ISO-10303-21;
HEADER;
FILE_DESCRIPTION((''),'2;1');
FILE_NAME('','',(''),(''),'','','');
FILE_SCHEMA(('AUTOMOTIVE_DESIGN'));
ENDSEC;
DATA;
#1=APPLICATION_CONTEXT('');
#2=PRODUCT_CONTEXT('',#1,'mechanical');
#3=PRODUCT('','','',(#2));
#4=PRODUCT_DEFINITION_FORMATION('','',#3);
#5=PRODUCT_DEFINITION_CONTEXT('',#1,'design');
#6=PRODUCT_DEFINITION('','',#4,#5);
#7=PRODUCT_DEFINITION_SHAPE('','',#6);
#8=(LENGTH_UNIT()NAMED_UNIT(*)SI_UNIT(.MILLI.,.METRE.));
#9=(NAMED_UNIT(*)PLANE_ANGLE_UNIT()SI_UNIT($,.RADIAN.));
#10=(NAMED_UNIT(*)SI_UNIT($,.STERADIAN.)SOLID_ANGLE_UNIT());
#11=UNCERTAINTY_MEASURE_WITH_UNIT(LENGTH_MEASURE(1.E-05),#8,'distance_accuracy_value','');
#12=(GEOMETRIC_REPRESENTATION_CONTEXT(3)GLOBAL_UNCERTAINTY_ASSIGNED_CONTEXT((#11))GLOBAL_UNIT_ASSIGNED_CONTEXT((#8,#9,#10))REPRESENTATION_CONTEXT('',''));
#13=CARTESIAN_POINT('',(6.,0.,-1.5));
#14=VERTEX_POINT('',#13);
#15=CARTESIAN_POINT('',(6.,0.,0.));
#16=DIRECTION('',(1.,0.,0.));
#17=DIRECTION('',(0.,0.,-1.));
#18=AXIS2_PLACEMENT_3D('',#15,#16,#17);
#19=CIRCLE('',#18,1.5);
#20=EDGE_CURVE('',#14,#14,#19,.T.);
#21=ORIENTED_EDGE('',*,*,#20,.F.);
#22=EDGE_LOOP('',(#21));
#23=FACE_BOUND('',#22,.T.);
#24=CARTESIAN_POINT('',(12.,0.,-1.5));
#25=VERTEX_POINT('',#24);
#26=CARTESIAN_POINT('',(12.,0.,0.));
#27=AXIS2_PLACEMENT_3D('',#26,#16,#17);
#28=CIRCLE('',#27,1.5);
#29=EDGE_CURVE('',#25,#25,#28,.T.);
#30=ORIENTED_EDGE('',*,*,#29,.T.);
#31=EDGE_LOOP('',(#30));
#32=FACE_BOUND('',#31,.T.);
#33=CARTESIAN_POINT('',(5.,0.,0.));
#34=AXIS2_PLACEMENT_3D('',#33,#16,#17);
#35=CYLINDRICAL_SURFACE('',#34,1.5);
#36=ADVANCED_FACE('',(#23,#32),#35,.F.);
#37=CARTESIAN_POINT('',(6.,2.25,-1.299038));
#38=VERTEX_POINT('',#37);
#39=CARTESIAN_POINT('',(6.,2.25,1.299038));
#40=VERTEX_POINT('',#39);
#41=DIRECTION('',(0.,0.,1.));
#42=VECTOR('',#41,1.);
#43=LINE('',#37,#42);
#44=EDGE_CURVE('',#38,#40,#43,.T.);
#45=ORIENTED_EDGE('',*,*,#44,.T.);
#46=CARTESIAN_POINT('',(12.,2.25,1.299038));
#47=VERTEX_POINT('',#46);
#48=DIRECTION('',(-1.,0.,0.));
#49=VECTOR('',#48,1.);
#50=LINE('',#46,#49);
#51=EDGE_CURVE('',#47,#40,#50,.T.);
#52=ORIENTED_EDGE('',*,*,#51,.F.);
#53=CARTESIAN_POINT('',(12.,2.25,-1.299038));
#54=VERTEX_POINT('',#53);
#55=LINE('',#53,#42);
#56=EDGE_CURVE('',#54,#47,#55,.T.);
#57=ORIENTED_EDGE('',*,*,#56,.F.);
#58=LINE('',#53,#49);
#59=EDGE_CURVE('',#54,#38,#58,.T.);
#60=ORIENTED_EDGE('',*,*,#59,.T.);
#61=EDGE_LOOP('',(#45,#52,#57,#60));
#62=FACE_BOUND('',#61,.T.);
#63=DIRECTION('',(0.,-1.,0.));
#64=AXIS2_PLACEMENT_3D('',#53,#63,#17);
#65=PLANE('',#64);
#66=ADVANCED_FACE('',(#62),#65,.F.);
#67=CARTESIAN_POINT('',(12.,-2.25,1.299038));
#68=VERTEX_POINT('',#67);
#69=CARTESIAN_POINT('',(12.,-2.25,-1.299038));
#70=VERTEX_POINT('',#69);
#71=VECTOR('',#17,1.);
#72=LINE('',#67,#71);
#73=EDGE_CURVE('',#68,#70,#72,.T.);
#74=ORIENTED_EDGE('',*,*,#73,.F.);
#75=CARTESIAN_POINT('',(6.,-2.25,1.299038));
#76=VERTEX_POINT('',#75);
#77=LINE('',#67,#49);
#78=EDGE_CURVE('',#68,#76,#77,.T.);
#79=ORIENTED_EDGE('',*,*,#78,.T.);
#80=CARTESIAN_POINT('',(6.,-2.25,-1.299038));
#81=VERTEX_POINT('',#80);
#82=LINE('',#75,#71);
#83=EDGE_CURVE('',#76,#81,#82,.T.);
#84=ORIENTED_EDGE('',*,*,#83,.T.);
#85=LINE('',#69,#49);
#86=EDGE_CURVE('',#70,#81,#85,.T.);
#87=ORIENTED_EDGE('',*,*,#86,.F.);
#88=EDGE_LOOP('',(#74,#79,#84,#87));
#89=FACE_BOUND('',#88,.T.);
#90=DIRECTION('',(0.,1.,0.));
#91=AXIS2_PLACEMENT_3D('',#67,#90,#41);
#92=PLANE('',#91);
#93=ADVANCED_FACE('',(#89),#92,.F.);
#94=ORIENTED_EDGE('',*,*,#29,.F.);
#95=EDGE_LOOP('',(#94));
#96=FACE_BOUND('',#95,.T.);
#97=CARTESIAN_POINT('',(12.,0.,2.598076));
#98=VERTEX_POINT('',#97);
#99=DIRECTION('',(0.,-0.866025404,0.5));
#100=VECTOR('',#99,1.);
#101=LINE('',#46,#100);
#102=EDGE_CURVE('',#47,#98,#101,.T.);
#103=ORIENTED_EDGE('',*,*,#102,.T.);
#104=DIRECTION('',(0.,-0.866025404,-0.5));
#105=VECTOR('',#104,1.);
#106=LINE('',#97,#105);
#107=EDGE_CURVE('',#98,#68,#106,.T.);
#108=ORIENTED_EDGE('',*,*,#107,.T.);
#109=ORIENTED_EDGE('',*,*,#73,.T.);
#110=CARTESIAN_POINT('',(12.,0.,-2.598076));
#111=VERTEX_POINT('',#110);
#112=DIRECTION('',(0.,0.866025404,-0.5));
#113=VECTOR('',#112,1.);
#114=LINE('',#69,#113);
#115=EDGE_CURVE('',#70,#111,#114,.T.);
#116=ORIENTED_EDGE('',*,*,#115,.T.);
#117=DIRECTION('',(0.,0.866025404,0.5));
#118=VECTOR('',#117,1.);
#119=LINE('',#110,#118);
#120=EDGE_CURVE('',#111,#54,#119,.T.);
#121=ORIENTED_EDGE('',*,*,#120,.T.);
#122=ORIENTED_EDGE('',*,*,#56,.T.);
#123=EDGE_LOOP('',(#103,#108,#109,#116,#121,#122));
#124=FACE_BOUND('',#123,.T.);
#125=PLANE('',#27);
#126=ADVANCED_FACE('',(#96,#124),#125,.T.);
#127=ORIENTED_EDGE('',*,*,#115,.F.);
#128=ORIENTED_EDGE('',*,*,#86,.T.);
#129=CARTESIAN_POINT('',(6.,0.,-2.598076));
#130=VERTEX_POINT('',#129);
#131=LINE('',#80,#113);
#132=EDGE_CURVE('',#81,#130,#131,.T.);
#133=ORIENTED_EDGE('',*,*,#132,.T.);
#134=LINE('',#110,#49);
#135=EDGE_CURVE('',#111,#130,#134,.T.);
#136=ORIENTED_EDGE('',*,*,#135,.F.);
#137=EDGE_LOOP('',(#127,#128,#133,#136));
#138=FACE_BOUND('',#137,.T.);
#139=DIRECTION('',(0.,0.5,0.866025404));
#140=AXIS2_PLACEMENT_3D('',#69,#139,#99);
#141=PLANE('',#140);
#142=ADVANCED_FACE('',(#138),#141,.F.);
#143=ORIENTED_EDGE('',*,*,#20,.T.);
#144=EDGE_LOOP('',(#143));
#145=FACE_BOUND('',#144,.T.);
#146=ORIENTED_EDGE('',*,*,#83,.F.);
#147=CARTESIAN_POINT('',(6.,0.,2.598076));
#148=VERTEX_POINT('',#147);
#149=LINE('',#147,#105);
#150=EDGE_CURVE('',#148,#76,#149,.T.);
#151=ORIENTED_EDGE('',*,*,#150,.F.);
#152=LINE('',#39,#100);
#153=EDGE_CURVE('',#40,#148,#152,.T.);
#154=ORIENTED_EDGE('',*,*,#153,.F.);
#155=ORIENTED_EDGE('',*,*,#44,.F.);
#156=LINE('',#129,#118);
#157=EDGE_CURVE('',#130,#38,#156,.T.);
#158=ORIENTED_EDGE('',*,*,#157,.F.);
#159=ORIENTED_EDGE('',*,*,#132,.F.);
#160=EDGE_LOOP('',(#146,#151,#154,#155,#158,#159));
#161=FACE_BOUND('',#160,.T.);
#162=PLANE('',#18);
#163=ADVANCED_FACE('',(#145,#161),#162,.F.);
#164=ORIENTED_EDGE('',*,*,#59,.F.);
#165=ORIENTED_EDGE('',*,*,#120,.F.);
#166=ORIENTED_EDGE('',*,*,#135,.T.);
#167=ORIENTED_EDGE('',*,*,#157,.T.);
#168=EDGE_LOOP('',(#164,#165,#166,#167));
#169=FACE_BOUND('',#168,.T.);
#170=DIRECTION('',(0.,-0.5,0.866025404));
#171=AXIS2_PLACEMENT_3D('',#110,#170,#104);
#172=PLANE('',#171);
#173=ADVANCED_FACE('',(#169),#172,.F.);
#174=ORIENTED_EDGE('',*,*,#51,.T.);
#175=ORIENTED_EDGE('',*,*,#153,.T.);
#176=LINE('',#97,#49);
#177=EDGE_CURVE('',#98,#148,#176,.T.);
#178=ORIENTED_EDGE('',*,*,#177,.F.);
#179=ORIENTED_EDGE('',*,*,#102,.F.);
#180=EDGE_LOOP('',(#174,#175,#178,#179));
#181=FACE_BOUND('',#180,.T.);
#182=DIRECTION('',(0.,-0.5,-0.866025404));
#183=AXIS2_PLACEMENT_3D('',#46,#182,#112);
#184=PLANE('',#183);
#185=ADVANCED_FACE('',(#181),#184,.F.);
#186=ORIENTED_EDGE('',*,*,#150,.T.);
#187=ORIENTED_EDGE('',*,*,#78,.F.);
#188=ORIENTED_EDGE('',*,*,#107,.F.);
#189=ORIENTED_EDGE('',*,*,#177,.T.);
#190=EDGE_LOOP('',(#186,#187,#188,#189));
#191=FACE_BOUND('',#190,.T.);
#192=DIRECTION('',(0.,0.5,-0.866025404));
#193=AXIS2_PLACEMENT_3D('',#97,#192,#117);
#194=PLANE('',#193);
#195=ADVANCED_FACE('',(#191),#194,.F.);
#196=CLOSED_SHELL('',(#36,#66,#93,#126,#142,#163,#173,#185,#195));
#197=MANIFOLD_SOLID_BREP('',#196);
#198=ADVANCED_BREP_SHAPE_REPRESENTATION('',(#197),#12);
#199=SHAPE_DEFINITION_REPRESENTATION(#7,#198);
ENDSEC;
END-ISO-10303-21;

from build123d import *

# Parameters (mm, degrees)
SKETCH_1_R          = 1.5
EXTRUDE_1_DEPTH     = 6
EXTRUDE_2_DEPTH     = 6
CUT_EXTRUDE_START   = -7
SKETCH_4_R          = 1.5
CUT_EXTRUDE_1_DEPTH = 7
SKETCH_5_R          = 2.902740869
CUT_EXTRUDE_2_DEPTH = 6


with BuildPart() as part:
    # 草图1 → 凸台-拉伸1 (new body)
    with BuildSketch(Plane(origin=(0, 0, 0), x_dir=(0, 0, -1), z_dir=(1, 0, 0))):
        Circle(SKETCH_1_R)
    extrude(amount=EXTRUDE_1_DEPTH)

    # 草图2 → 凸台-拉伸2 (add)
    with BuildSketch(Plane(origin=(6, 0, 0), x_dir=(0, 0, -1), z_dir=(1, 0, 0))):
        Polygon((2.598076211, 0), (1.299038106, 2.25), (-1.299038106, 2.25), (-2.598076211, 0), (-1.299038106, -2.25), (1.299038106, -2.25), align=None)
    extrude(amount=EXTRUDE_2_DEPTH)

    # 草图4 → 切除-拉伸1 (cut)
    with BuildSketch(Plane(origin=(12, 0, 0), x_dir=(0, 0, -1), z_dir=(1, 0, 0)).offset(CUT_EXTRUDE_START)):
        Circle(SKETCH_4_R)
    extrude(amount=CUT_EXTRUDE_1_DEPTH, mode=Mode.SUBTRACT)


with BuildPart() as cut_extrude_1_piece_1:
    # of the separate pieces the step leaves, piece 1, a body of its own (cut_extrude_1_pieces)
    add(part.part.solids().sort_by_distance((6, 0, -2.598076211))[0])


with BuildPart() as cut_extrude_1_piece_2:
    # of the separate pieces the step leaves, piece 2, a body of its own (cut_extrude_1_pieces)
    add(part.part.solids().sort_by_distance((0, 0, -1.5))[0])

    # 草图5 → 切除-拉伸2 (cut)
    with BuildSketch(Plane.ZY):
        Circle(SKETCH_5_R)
    extrude(amount=-CUT_EXTRUDE_2_DEPTH, mode=Mode.SUBTRACT)


solid = cut_extrude_1_piece_1.part
